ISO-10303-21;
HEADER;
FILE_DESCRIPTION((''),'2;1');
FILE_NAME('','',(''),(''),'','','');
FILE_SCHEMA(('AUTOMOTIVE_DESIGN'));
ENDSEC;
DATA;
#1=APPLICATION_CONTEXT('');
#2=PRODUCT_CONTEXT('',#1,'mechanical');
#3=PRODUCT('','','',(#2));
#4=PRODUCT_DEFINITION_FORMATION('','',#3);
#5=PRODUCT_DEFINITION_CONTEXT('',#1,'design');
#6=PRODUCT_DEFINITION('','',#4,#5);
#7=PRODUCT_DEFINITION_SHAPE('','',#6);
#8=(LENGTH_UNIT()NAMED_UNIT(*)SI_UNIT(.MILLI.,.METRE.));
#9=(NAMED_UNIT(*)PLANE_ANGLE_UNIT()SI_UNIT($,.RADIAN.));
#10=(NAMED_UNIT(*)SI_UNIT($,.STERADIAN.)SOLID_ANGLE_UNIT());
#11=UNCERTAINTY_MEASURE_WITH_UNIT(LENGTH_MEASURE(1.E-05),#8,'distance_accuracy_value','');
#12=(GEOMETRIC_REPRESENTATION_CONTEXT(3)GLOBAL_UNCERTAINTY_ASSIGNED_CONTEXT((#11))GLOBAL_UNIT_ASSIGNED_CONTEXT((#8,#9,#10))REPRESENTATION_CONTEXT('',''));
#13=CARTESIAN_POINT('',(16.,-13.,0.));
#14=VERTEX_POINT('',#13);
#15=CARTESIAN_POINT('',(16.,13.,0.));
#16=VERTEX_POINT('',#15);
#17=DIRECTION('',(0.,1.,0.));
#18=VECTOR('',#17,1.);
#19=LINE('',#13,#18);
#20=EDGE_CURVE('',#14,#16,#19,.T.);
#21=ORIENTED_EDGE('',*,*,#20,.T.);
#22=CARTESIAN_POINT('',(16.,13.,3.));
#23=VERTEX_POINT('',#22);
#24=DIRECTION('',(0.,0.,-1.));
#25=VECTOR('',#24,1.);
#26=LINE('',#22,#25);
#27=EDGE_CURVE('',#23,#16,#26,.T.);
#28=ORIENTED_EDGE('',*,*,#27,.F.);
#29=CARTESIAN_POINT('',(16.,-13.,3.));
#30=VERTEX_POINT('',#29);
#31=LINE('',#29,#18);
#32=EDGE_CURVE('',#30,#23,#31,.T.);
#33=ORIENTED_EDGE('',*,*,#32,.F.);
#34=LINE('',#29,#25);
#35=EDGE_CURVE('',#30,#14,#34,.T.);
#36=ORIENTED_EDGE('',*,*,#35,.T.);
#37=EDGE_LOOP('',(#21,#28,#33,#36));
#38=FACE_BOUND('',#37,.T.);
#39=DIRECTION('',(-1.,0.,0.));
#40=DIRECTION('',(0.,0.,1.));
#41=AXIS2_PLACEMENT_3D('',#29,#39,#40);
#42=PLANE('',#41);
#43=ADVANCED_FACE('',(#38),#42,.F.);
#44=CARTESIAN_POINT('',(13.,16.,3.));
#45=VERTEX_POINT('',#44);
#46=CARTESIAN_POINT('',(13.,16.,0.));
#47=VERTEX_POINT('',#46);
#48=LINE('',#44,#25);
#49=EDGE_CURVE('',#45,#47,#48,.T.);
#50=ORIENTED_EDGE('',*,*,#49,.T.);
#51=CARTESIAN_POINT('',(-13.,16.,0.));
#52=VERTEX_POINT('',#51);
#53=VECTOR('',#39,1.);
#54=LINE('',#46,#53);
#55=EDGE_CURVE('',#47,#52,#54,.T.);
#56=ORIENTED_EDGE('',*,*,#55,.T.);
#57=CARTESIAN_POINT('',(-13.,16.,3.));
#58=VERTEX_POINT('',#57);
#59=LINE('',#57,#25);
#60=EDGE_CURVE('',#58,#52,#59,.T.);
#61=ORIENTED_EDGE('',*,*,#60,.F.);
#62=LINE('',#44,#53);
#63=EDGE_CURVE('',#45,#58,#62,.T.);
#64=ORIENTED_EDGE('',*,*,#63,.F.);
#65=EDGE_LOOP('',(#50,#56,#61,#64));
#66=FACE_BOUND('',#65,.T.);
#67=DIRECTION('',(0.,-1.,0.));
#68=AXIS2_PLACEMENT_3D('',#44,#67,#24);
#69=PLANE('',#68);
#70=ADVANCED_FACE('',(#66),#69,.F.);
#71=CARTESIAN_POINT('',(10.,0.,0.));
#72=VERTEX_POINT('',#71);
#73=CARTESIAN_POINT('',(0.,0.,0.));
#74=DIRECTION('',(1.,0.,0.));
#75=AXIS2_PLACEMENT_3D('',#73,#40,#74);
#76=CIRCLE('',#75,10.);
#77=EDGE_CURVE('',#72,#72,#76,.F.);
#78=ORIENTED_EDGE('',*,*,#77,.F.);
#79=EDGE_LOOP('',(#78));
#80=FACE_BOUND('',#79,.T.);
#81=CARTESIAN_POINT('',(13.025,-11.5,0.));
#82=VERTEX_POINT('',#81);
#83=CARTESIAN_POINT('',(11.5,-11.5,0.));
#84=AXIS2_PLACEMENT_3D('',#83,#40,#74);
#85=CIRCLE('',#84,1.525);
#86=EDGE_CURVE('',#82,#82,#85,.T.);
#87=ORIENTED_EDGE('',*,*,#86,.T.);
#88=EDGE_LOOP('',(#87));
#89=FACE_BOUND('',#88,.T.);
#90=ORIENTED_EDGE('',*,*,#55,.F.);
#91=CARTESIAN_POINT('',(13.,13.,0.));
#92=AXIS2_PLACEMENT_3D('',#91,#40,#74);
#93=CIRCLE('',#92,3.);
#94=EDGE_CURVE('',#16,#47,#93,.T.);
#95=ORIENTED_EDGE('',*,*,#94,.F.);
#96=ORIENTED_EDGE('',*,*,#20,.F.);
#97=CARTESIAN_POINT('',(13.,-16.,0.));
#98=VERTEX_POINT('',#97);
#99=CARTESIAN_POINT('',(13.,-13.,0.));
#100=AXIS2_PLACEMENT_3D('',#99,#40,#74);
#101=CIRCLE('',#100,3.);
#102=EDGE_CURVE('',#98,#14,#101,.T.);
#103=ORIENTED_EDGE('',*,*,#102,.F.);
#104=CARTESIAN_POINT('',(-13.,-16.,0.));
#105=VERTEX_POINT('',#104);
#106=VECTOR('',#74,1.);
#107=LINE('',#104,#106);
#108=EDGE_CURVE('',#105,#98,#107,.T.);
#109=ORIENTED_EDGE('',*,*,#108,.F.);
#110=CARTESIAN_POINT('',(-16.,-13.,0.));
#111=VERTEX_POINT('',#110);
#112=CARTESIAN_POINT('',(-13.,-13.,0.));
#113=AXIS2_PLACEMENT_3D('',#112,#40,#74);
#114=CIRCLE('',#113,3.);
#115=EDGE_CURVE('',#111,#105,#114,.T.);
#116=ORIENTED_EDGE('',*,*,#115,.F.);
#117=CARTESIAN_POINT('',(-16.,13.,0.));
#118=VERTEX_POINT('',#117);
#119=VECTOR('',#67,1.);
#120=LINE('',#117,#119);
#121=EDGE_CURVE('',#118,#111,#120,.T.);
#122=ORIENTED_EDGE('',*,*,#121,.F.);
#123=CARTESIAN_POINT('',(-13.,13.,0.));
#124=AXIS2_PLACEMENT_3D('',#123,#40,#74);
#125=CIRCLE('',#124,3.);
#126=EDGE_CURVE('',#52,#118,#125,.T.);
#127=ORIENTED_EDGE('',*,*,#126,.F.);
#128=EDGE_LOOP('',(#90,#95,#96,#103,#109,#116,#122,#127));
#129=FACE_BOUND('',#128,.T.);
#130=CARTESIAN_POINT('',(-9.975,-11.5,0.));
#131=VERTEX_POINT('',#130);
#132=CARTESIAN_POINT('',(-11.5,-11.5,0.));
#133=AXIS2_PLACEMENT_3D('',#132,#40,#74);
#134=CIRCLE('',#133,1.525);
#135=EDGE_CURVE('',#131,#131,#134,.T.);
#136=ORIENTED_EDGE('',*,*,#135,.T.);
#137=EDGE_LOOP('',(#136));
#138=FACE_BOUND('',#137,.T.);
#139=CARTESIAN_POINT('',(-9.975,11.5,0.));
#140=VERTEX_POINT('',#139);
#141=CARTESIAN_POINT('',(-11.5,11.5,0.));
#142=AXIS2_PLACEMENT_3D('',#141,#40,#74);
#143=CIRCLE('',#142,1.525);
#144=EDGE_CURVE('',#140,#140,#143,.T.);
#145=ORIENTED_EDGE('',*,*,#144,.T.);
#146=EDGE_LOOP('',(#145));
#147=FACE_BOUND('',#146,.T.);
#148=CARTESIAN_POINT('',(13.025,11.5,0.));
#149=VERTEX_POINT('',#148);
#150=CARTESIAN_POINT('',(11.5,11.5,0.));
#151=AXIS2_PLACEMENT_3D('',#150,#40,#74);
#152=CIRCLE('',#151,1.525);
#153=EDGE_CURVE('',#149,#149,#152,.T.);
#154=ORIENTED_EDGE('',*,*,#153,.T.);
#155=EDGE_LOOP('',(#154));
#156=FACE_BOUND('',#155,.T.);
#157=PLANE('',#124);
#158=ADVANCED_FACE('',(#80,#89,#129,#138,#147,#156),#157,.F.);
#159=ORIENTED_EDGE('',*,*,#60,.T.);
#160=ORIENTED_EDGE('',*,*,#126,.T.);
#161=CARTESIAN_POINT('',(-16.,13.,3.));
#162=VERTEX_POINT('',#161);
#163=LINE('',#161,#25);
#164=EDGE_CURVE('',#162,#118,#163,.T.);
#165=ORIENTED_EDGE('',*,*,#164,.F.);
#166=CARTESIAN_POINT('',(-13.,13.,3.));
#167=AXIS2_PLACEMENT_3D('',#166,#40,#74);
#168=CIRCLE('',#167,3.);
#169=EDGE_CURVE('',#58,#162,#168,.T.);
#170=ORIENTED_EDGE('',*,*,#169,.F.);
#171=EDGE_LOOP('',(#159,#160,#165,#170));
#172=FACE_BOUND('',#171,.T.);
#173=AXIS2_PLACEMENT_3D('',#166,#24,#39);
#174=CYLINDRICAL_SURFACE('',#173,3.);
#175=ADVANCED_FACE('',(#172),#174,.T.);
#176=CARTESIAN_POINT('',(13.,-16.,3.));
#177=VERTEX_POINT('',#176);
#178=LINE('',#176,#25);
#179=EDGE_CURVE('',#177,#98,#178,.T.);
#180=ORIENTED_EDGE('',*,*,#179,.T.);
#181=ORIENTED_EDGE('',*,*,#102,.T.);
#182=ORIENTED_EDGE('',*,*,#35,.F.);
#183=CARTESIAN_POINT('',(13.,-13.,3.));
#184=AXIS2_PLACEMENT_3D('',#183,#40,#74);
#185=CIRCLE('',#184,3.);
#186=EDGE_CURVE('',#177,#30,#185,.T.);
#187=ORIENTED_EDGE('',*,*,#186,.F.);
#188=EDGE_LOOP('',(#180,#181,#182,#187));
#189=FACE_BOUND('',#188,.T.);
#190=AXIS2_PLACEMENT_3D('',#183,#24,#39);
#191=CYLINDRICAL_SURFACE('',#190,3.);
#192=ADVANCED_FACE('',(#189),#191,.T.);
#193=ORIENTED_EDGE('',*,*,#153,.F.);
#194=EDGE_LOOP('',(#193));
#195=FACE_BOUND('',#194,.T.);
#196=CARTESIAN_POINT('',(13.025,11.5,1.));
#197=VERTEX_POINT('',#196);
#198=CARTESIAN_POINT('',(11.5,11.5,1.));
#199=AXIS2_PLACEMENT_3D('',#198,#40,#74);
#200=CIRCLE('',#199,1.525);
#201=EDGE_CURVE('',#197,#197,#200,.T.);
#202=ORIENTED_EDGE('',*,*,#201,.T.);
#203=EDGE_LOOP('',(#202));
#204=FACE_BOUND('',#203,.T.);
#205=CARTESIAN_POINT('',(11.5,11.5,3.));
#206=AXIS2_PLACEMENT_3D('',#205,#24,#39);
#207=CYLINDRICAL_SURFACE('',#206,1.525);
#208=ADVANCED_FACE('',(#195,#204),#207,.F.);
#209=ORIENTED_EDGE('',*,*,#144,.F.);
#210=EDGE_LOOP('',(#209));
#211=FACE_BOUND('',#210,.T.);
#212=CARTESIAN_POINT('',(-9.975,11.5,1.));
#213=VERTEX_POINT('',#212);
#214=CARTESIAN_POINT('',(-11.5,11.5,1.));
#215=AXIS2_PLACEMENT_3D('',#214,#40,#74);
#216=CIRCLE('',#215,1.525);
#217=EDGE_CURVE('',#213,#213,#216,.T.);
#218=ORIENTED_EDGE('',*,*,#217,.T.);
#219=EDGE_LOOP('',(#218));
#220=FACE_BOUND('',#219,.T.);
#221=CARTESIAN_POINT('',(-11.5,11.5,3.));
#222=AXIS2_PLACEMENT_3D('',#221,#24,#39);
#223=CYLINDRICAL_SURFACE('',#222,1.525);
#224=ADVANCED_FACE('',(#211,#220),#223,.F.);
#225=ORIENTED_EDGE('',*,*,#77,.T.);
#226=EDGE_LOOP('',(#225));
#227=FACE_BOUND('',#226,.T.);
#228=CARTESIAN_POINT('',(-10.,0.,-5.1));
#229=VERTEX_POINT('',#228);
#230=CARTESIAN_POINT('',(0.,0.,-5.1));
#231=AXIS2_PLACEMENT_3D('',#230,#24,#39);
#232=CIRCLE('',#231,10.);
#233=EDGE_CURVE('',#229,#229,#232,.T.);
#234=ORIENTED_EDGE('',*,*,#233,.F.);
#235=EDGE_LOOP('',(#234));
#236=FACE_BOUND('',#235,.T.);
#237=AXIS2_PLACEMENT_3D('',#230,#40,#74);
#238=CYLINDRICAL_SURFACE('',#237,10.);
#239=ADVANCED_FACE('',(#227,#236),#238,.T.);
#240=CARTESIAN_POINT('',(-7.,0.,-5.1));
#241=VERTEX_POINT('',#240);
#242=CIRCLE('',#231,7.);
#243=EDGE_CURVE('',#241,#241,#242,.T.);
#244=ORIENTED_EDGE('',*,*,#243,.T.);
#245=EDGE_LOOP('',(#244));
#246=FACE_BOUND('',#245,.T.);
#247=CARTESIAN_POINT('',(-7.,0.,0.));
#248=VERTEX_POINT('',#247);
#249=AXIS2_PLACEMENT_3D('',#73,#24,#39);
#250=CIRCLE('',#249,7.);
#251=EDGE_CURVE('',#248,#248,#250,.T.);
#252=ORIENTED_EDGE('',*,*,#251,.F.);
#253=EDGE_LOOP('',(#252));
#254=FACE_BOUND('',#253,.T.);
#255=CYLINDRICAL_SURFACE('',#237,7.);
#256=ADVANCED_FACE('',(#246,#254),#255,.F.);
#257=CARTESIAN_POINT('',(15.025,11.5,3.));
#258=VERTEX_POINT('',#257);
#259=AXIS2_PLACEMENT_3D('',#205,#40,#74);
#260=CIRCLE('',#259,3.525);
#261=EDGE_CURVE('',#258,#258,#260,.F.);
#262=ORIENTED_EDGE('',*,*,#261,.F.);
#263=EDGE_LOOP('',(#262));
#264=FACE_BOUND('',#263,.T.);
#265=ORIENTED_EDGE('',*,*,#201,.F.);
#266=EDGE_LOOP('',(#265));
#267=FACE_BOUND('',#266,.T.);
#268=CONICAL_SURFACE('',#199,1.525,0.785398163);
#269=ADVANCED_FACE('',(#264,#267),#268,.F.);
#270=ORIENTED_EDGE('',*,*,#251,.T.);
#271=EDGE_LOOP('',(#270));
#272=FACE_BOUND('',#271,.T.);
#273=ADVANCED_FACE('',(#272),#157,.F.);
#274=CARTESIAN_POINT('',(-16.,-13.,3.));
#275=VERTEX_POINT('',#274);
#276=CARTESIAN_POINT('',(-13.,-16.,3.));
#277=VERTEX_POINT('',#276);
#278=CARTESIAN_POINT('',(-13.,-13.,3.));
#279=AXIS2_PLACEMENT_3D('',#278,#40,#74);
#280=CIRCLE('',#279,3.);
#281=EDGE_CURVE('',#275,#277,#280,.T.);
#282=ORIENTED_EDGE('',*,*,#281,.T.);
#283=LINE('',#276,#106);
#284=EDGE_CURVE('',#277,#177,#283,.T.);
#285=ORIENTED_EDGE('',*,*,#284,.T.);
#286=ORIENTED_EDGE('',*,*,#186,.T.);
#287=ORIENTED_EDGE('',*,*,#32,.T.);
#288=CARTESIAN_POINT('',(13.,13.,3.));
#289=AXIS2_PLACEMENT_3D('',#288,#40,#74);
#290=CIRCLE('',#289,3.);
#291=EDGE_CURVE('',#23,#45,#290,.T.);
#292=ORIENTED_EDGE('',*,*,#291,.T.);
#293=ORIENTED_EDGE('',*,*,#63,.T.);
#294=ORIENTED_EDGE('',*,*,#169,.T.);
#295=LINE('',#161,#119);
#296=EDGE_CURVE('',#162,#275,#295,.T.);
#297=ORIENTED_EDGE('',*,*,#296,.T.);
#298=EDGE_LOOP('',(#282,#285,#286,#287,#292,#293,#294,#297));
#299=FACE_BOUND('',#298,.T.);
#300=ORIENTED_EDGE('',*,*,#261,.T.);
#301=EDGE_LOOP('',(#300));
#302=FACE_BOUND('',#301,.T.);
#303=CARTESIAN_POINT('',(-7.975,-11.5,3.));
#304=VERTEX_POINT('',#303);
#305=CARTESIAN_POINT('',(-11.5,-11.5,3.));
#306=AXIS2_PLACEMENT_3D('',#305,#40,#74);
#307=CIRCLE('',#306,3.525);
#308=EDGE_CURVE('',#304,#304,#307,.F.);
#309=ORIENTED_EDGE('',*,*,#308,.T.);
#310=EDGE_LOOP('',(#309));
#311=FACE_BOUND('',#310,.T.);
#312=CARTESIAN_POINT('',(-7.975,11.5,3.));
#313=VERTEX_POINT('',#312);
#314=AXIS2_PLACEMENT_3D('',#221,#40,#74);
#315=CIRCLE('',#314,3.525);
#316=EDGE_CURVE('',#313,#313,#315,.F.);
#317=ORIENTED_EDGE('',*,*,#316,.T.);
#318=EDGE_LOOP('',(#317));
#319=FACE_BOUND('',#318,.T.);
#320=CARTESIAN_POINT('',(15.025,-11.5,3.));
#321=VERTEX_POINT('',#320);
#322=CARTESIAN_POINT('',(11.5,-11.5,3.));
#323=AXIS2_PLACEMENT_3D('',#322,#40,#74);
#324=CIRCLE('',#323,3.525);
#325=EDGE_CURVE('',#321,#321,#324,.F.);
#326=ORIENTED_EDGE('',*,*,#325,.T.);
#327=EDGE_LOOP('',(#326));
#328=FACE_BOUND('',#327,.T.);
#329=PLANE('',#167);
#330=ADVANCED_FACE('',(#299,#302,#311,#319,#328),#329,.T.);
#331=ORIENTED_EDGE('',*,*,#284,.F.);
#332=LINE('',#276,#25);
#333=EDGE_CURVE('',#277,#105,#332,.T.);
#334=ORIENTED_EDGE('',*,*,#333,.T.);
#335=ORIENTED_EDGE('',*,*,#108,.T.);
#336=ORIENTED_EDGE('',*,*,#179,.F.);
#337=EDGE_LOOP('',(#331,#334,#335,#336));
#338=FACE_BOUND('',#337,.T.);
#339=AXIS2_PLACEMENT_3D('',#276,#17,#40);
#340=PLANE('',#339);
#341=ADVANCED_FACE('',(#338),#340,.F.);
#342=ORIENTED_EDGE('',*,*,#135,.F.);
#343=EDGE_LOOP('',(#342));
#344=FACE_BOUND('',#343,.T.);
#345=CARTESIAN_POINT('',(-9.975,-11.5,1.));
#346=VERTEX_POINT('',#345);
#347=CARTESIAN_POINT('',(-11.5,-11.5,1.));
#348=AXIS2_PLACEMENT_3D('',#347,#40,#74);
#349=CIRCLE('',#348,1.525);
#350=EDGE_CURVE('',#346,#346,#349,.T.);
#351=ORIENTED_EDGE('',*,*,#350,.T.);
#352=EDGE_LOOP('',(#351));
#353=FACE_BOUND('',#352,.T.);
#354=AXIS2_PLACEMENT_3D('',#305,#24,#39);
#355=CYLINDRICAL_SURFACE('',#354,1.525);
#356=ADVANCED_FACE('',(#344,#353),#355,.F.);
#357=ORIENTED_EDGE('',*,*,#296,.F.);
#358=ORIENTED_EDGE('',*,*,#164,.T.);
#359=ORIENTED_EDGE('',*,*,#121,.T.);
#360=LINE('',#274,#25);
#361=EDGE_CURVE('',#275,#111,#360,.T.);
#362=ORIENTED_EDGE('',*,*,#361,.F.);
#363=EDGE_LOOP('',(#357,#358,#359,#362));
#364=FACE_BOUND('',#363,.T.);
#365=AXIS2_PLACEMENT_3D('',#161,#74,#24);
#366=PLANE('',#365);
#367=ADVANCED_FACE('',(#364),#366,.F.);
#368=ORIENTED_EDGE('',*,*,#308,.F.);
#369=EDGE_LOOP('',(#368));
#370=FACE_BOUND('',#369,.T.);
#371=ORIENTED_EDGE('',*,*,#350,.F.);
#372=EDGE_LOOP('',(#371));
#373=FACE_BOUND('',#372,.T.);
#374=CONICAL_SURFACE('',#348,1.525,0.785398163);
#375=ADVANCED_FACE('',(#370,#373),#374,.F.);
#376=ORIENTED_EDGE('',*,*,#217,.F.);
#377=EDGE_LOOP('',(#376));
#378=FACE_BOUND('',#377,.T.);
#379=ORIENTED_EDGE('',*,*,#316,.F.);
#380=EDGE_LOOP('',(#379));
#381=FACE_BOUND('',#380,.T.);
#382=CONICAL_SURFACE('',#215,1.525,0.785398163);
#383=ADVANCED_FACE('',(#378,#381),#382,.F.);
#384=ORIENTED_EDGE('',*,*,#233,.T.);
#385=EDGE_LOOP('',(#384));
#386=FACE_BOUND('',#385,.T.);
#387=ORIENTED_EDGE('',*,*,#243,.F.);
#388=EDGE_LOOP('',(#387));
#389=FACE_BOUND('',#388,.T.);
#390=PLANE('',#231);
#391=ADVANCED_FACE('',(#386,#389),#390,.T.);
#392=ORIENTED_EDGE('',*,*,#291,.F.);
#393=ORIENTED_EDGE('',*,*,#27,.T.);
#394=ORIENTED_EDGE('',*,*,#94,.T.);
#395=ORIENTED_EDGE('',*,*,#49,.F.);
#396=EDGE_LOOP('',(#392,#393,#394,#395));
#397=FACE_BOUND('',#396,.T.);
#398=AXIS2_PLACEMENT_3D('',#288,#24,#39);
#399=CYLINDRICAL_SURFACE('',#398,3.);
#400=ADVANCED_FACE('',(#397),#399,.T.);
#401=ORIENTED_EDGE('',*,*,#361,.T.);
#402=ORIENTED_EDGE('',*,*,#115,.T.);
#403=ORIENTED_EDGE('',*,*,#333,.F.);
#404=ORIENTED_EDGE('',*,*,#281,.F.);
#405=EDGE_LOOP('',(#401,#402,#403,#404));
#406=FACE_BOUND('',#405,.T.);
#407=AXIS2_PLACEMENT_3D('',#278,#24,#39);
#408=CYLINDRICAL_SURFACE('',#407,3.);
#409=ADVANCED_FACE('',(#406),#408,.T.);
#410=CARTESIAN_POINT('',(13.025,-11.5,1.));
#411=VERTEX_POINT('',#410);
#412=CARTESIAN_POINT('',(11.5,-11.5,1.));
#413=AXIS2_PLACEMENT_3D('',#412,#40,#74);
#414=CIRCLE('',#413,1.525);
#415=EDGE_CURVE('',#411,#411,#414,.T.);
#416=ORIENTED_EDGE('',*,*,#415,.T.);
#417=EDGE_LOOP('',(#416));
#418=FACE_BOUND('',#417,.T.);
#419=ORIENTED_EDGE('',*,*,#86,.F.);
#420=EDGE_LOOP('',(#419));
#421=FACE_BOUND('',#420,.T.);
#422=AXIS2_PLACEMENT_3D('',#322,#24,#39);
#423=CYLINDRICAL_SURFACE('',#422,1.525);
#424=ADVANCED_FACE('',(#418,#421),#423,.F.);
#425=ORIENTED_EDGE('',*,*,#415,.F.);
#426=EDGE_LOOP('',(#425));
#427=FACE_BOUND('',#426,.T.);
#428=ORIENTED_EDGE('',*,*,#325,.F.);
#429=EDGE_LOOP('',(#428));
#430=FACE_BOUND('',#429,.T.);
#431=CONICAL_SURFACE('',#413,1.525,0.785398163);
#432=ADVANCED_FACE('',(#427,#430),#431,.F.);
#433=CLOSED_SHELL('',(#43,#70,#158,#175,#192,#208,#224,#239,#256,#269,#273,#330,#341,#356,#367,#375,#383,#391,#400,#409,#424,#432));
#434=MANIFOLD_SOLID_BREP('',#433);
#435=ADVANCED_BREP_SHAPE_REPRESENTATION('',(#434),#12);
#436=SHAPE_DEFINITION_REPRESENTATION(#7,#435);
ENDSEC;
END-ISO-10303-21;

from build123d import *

# Parameters (mm, degrees)
SKETCH_1_R      = 1.525
EXTRUDE_1_DEPTH = 3
SKETCH_2_R      = 10
SKETCH_2_R_2    = 7
EXTRUDE_2_DEPTH = 5.1
CHAMFER_1_SIZE  = 2


with BuildPart() as part:
    # Эскиз1 → Бобышка-Вытянуть1 (new body)
    with BuildSketch(Plane.XY):
        with BuildLine():
            Line((13, 16), (-13, 16))
            ThreePointArc((-13, 16), (-15.121320344, 15.121320344), (-16, 13))
            Line((-16, 13), (-16, -13))
            ThreePointArc((-16, -13), (-15.121320344, -15.121320344), (-13, -16))
            Line((-13, -16), (13, -16))
            ThreePointArc((13, -16), (15.121320344, -15.121320344), (16, -13))
            Line((16, -13), (16, 13))
            ThreePointArc((16, 13), (15.121320344, 15.121320344), (13, 16))
        make_face()
        with Locations((-11.5, -11.5)):
            Circle(SKETCH_1_R, mode=Mode.SUBTRACT)
        with Locations((-11.5, 11.5)):
            Circle(SKETCH_1_R, mode=Mode.SUBTRACT)
        with Locations((11.5, -11.5)):
            Circle(SKETCH_1_R, mode=Mode.SUBTRACT)
        with Locations((11.5, 11.5)):
            Circle(SKETCH_1_R, mode=Mode.SUBTRACT)
    extrude(amount=EXTRUDE_1_DEPTH)

    # Эскиз2 → Бобышка-Вытянуть2 (add)
    with BuildSketch(Plane(origin=(0, 0, 0), x_dir=(-1, 0, 0), z_dir=(0, 0, -1))):
        with Locations(Location((0, 0, 0), (0, 0, 180))):
            Circle(SKETCH_2_R)
        Circle(SKETCH_2_R_2, mode=Mode.SUBTRACT)
    extrude(amount=EXTRUDE_2_DEPTH)

    # Фаска1
    chamfer_1_edges = [part.edges().sort_by_distance(p)[0] for p in [
        (-13.025, -11.5, 3),
        (9.975, -11.5, 3),
        (9.975, 11.5, 3),
        (-13.025, 11.5, 3),
    ]]
    chamfer(chamfer_1_edges, length=CHAMFER_1_SIZE)


solid = part.part
